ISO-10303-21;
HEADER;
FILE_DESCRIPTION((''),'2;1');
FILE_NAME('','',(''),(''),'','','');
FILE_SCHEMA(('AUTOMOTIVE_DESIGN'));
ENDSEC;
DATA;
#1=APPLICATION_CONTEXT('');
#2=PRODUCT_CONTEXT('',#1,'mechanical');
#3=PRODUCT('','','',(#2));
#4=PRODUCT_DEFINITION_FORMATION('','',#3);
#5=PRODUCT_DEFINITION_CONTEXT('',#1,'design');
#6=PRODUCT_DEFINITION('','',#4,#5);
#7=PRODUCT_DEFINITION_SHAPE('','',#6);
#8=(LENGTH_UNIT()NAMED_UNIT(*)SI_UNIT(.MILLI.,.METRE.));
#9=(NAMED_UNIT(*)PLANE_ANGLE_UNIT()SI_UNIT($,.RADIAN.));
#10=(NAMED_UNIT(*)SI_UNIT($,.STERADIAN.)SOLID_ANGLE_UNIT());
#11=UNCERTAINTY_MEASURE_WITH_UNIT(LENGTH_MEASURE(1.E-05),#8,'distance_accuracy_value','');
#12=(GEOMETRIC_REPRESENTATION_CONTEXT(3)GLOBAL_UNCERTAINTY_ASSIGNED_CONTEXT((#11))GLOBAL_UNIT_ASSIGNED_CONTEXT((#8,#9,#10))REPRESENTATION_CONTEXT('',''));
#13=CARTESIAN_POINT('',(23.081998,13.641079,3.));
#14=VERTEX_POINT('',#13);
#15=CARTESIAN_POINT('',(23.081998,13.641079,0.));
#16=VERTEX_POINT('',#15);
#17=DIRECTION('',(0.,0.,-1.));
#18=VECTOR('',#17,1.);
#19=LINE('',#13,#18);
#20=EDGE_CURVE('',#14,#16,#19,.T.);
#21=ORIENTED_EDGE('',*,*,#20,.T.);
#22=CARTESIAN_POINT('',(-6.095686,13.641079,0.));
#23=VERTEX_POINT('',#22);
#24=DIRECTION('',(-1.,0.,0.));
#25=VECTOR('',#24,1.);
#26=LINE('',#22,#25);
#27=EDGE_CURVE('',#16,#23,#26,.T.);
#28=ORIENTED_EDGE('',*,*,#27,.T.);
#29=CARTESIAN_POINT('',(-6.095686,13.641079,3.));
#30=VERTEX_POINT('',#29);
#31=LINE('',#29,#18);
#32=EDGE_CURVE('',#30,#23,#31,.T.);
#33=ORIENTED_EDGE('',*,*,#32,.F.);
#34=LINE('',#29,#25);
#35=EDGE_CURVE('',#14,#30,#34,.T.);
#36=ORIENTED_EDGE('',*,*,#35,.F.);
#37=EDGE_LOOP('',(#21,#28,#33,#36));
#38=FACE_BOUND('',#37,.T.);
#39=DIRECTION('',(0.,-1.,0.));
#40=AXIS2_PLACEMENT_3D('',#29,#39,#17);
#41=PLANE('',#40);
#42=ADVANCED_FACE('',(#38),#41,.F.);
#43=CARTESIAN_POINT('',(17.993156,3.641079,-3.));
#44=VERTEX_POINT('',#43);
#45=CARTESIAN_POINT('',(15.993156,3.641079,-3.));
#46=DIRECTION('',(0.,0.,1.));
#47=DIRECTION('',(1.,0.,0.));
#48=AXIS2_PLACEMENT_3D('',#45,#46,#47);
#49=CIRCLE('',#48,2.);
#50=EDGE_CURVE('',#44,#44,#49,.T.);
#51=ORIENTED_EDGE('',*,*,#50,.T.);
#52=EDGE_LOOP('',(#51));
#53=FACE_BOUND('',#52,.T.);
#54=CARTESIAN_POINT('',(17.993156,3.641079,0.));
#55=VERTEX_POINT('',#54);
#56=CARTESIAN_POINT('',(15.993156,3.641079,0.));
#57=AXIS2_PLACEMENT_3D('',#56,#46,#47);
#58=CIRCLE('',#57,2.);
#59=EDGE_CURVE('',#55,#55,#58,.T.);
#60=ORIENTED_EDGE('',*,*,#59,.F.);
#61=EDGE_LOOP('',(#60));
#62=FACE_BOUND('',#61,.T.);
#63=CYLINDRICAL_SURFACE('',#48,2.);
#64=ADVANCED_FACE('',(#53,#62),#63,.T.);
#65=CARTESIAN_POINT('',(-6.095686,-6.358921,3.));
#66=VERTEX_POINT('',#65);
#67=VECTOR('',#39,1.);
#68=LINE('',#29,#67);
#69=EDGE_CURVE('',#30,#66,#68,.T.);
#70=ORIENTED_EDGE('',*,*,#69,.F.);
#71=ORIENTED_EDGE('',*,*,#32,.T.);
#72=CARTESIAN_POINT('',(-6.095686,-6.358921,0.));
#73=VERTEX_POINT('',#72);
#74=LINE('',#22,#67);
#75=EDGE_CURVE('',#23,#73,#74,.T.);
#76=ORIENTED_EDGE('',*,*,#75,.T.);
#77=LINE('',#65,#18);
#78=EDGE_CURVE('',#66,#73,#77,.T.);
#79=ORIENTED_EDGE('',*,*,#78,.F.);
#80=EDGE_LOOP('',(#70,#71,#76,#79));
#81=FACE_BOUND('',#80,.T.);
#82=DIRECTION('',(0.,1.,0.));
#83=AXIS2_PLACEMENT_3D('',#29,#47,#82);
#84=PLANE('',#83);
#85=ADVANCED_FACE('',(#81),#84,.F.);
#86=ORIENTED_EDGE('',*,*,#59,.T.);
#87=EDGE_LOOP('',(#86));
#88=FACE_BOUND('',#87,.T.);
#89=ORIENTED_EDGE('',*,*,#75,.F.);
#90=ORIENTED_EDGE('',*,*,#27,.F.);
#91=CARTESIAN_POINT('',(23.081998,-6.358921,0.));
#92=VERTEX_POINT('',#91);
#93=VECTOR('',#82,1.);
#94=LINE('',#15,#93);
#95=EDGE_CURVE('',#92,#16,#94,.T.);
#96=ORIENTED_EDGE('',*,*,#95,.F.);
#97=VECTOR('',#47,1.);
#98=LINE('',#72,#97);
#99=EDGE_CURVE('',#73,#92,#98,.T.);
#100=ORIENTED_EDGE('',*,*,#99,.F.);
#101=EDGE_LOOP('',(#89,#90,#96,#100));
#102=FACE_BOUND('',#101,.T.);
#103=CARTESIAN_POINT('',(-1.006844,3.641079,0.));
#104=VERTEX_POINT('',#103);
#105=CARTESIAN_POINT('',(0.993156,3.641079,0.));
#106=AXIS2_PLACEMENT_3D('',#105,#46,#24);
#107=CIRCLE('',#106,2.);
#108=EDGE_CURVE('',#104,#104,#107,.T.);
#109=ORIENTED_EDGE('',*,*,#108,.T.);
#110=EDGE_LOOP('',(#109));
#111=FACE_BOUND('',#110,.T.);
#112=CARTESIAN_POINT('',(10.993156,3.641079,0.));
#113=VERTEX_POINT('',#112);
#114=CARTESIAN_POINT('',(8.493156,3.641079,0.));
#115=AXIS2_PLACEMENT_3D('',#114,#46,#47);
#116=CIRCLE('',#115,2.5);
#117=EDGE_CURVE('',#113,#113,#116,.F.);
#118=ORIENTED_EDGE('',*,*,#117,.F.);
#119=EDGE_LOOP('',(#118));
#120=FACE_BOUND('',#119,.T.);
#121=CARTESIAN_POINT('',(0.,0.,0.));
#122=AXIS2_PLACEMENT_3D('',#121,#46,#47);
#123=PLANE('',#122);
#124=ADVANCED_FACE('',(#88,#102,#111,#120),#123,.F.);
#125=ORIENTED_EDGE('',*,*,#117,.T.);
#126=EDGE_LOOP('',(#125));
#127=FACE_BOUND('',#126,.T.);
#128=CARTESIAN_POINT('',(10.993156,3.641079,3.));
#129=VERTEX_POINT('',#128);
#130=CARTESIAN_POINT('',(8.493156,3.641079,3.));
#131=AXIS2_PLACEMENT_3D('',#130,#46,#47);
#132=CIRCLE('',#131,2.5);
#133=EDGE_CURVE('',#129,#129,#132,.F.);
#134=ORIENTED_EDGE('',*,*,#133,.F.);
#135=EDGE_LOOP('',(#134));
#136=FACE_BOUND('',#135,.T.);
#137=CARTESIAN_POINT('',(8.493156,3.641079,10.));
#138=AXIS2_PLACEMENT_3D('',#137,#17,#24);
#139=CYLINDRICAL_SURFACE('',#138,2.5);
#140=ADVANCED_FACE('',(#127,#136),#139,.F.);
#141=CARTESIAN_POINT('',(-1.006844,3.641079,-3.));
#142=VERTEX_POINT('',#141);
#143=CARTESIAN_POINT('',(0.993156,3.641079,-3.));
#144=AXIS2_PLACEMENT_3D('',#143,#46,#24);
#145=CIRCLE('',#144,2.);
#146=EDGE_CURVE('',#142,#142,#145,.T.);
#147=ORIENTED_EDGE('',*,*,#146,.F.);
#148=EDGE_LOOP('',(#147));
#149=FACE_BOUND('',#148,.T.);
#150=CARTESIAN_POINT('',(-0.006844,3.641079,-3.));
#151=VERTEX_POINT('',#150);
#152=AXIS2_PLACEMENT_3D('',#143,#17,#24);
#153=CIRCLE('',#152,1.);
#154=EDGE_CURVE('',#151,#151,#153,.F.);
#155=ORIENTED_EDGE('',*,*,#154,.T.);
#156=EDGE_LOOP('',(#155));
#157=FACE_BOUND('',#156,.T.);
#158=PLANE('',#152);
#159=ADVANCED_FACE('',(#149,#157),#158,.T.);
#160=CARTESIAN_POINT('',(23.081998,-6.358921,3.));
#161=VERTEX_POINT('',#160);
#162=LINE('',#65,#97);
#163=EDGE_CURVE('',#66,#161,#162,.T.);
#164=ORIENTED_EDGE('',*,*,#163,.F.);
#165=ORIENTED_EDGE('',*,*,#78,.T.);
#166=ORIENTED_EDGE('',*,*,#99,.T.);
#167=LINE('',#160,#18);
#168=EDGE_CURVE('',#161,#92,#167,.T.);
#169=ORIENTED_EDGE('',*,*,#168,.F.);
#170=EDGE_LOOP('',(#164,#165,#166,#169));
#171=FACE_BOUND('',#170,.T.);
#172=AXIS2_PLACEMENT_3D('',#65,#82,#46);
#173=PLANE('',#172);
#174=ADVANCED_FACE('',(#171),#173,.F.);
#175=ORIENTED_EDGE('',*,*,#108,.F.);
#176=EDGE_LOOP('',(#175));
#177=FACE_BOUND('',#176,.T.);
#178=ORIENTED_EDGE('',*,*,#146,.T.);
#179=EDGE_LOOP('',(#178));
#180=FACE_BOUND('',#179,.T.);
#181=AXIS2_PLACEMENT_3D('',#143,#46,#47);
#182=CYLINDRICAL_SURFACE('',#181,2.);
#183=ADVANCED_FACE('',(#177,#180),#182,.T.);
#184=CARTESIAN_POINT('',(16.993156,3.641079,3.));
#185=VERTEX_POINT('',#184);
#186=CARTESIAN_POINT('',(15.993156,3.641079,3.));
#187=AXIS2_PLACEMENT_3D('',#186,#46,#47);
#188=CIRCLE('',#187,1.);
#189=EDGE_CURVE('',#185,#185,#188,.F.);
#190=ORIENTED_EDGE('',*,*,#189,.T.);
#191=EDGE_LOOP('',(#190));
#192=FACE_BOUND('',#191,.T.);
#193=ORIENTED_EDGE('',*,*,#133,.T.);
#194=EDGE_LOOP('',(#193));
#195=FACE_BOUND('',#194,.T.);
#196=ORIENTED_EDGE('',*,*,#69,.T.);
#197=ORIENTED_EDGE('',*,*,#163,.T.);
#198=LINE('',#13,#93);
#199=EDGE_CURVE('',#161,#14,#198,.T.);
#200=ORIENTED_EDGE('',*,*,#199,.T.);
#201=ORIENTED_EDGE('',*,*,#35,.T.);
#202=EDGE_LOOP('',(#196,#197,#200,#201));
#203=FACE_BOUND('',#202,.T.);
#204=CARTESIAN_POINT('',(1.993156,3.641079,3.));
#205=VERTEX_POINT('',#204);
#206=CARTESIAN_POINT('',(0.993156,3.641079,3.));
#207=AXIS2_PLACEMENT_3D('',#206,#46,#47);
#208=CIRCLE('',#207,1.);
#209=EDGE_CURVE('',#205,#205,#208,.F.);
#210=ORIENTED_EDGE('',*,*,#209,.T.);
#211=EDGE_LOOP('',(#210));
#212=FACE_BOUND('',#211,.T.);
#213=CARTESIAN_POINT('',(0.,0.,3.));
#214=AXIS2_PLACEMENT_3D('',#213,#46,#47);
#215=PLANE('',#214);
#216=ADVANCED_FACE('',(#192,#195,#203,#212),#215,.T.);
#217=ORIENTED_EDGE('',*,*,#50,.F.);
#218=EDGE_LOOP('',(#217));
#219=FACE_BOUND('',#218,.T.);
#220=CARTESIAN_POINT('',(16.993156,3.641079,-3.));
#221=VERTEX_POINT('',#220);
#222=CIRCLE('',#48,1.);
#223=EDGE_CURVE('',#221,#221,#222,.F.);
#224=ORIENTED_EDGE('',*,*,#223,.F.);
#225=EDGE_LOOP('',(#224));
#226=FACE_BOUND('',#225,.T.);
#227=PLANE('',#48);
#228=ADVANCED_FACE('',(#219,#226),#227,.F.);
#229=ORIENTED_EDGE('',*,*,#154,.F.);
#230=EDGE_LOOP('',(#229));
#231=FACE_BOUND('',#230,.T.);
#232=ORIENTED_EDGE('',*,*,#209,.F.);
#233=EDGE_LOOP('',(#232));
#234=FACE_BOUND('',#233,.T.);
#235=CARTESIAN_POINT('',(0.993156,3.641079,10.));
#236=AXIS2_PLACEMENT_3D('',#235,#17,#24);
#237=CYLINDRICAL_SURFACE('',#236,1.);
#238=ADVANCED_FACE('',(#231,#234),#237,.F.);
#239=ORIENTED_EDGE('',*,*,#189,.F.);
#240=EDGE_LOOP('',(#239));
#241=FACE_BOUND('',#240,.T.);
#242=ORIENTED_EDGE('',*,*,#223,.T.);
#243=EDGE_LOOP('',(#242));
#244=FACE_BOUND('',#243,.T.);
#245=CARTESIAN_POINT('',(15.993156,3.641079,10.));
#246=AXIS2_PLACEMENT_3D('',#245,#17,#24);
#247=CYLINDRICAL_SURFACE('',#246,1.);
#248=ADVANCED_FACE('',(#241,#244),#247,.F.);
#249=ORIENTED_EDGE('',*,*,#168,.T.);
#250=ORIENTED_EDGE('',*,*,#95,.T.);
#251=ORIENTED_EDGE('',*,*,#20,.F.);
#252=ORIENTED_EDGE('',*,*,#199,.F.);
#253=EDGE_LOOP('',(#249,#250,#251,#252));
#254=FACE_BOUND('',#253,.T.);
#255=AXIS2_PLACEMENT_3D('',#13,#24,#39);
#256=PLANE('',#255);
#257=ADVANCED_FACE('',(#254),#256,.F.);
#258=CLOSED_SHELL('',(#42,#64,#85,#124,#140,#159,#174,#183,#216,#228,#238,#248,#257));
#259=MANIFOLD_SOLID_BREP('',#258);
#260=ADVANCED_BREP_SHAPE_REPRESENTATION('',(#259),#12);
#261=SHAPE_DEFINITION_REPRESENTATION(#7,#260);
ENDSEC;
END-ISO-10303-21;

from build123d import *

# Parameters (mm, degrees)
SKETCH_1_W              = 29.177684157
SKETCH_1_H              = 20
EXTRUDE_1_DEPTH         = 3
SKETCH2_R               = 2
BOSS_EXTRUDE3_DEPTH     = 3
SKETCH_2_R              = 2.5
SKETCH_2_R_2            = 1
CUT_EXTRUDE1_DEPTH      = 10
CUT_EXTRUDE1_DEPTH_BACK = 6


with BuildPart() as part:
    # 草圖1 → 填料-伸長1 (new body)
    with BuildSketch(Plane.XY):
        with Locations((8.493155936, 3.641078838)):
            Rectangle(SKETCH_1_W, SKETCH_1_H)
    extrude(amount=EXTRUDE_1_DEPTH)

    # Sketch2 → Boss-Extrude3 (add)
    with BuildSketch(Plane.XY):
        with Locations((15.993155937, 3.641078838)):
            Circle(SKETCH2_R)
        with Locations((0.993155937, 3.641078838)):
            Circle(SKETCH2_R)
    extrude(amount=-BOSS_EXTRUDE3_DEPTH)

    # 草圖2 → Cut-Extrude1 (cut, two sides)
    with BuildSketch(Plane.XY) as cut_extrude1_sk:
        with Locations((8.493155937, 3.641078838)):
            Circle(SKETCH_2_R)
        with Locations((15.993155937, 3.641078838)):
            Circle(SKETCH_2_R_2)
        with Locations((0.993155937, 3.641078838)):
            Circle(SKETCH_2_R_2)
    extrude(amount=CUT_EXTRUDE1_DEPTH, mode=Mode.SUBTRACT)
    extrude(cut_extrude1_sk.sketch, amount=-CUT_EXTRUDE1_DEPTH_BACK, mode=Mode.SUBTRACT)


solid = part.part
